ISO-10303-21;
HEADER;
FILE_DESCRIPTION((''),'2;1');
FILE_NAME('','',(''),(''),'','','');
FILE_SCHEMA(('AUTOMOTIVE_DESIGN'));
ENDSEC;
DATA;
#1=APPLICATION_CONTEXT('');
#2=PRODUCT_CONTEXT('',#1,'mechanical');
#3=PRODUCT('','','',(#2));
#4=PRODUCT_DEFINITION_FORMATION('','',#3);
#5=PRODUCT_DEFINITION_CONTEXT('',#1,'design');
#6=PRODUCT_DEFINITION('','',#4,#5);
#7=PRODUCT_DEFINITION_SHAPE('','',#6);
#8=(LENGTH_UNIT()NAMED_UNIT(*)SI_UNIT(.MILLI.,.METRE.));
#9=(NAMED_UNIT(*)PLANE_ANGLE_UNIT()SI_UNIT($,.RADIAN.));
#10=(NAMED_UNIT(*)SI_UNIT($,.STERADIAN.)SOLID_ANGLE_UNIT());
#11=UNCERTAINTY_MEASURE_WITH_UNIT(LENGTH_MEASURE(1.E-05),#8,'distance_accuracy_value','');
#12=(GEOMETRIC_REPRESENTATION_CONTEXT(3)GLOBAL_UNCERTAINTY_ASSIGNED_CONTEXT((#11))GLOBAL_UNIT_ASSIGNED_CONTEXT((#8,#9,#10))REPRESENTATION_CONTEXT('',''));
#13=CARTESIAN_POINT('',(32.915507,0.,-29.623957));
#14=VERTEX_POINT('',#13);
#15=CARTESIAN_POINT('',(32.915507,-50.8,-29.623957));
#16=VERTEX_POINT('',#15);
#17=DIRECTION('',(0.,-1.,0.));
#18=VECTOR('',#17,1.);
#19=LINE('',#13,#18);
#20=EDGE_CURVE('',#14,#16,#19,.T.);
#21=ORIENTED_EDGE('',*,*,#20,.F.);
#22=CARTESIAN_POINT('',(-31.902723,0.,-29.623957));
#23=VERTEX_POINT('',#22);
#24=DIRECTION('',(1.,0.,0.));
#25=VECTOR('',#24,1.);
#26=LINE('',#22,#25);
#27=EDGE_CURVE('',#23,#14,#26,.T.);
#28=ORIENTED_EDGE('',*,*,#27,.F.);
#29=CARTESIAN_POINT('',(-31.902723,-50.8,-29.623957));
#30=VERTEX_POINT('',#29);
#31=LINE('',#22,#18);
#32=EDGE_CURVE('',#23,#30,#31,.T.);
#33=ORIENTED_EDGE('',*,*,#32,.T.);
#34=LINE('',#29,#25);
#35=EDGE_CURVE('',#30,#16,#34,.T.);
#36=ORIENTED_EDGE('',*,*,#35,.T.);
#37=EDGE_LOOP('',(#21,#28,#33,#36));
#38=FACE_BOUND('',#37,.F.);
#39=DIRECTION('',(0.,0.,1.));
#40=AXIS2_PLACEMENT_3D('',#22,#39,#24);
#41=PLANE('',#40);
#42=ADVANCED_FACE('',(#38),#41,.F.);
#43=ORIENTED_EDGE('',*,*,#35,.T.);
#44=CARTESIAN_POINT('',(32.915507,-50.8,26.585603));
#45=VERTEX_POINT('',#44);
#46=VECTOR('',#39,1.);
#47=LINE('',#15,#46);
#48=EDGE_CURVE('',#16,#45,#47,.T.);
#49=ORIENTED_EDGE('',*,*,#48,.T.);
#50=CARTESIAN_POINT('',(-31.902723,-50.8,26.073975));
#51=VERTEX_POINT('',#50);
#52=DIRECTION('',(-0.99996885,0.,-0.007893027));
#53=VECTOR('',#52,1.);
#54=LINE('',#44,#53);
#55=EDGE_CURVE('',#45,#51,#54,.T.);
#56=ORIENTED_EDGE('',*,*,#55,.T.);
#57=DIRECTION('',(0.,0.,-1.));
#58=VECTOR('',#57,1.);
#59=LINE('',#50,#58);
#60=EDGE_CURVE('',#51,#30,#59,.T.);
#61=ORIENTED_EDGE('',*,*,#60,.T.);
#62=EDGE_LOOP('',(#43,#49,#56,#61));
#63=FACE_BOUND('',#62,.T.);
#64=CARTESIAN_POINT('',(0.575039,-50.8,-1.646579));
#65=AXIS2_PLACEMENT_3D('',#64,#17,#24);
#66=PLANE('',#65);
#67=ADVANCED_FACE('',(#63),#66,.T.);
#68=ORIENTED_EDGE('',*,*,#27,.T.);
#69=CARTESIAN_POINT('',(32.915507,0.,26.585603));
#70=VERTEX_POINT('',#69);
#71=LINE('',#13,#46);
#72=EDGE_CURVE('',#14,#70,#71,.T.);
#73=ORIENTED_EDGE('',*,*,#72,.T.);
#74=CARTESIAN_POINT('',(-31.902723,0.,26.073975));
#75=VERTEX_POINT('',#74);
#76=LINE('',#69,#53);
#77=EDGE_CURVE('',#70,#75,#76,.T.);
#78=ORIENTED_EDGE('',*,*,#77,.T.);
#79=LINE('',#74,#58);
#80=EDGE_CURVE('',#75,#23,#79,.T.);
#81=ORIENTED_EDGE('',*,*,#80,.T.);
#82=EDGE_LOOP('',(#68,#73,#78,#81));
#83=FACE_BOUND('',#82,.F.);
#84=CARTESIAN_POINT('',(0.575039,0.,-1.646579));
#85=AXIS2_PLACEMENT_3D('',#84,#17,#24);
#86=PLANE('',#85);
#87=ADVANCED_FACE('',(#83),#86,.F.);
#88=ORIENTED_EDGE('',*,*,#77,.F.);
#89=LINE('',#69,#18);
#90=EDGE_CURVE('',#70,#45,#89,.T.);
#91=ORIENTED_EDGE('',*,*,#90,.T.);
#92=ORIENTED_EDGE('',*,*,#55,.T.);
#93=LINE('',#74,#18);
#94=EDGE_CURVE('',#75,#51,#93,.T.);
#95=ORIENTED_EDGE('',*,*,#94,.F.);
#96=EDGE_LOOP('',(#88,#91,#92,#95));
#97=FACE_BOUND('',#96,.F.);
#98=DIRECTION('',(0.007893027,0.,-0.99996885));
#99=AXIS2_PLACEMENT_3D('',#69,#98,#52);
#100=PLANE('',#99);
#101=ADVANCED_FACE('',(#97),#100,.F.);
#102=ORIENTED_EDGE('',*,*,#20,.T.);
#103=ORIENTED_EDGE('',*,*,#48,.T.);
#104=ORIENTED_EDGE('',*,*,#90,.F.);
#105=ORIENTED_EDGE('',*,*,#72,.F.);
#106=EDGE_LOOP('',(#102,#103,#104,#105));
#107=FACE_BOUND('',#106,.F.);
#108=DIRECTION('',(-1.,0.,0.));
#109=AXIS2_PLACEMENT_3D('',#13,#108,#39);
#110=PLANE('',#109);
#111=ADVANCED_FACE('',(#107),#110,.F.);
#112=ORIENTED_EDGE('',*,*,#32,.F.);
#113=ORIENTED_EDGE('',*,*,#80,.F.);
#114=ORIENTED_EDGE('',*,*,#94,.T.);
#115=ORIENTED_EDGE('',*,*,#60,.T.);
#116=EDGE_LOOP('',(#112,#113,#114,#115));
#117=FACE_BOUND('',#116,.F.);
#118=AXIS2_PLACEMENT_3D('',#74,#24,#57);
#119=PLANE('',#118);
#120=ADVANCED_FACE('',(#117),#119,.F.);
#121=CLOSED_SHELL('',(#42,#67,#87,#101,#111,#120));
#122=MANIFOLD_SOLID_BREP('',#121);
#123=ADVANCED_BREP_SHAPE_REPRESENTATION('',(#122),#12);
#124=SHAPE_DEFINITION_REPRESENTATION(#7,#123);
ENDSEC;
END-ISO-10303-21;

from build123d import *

# Parameters (mm, degrees)
F0_R     = 8.567616
F1_DEPTH = 25.4
F3_DEPTH = 50.8


with BuildPart() as f1:
    # F0 (on Front) → F1 (new body)
    with BuildSketch(Plane.XZ):
        Circle(F0_R)
    extrude(amount=F1_DEPTH)

    # F2 (on Front) → F3 (join)
    with BuildSketch(Plane.XZ):
        Polygon((32.915507, 26.585603), (-31.902723, 26.073975), (-31.902723, -29.623957), (32.915507, -29.623957), align=None)
    extrude(amount=F3_DEPTH)


solid = f1.part
